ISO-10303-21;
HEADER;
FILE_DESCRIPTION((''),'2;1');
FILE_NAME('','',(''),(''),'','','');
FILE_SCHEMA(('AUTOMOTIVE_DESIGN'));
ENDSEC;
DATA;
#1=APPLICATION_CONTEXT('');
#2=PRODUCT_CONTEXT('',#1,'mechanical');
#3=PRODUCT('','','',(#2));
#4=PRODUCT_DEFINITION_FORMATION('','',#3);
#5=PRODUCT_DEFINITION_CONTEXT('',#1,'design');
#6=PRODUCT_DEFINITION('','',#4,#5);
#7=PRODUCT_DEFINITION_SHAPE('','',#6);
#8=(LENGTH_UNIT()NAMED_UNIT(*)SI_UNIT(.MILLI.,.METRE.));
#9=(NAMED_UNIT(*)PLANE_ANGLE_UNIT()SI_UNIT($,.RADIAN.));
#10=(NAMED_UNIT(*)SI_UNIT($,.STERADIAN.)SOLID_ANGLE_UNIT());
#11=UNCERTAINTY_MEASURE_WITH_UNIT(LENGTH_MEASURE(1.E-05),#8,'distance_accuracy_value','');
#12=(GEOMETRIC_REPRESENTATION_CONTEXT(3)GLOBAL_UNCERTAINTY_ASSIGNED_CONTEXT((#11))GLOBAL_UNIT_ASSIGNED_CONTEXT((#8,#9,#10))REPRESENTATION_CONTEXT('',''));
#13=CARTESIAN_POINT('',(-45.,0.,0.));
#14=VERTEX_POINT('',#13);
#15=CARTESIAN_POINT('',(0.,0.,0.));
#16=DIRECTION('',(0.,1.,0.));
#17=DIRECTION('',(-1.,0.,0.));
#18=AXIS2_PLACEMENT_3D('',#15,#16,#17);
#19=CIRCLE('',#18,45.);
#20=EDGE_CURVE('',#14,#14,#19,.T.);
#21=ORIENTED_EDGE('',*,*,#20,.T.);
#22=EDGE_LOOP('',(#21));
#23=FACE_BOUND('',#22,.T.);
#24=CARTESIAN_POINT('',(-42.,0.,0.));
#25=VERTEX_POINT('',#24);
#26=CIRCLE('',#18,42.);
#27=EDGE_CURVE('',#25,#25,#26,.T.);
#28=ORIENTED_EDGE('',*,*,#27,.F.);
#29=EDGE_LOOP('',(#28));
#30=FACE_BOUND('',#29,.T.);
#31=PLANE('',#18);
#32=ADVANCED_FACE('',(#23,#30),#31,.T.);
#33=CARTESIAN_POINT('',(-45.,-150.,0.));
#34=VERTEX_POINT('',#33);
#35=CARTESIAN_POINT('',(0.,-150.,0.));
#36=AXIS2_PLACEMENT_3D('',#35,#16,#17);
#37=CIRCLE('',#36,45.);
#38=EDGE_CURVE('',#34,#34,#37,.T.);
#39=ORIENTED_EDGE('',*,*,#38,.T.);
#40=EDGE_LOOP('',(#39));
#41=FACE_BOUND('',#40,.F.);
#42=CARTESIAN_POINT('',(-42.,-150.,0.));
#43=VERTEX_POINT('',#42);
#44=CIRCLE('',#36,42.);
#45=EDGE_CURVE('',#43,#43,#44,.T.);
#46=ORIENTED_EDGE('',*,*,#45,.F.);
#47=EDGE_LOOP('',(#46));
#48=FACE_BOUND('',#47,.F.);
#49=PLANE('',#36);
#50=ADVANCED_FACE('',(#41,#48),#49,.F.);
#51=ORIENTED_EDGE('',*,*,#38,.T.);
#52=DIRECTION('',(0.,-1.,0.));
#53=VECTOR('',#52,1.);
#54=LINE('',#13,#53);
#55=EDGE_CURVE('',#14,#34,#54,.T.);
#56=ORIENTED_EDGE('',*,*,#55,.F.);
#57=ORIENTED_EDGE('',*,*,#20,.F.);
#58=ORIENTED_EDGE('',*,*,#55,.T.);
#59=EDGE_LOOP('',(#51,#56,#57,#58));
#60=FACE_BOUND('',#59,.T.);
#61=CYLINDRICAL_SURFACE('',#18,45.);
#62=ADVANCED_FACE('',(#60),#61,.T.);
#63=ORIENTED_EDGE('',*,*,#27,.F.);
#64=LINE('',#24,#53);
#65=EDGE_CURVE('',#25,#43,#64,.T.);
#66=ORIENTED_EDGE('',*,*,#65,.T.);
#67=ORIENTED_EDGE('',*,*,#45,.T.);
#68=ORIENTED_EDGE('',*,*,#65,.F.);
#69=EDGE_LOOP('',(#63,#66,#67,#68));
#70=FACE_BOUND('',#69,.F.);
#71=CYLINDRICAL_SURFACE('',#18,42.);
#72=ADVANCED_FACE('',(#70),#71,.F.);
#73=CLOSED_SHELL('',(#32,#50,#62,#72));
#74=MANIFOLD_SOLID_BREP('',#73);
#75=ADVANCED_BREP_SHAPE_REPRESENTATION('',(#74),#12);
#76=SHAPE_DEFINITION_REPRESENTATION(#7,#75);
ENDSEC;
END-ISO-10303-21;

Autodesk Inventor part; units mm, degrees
ref_plane "YZ Plane" through (0, 0, 0) normal (1, 0, 0) x (0, 1, 0)
ref_plane "XZ Plane" through (0, 0, 0) normal (0, 1, 0) x (-1, 0, 0)
ref_plane "XY Plane" through (0, 0, 0) normal (0, 0, 1) x (1, 0, 0)
sketch "Sketch1" plane through (0, 0, 0) normal (0, 1, 0) x (-1, 0, 0)
  circle A0 centre (0, 0) radius 45
  circle A1 centre (0, 0) radius 42
  dimension "d0" = 90
  dimension "d1" = 3
extrude "Extrusion1" add sketch "Sketch1" against normal blind 150
properties part number "PRS 9614 FDS tube 4_D1200 940"
